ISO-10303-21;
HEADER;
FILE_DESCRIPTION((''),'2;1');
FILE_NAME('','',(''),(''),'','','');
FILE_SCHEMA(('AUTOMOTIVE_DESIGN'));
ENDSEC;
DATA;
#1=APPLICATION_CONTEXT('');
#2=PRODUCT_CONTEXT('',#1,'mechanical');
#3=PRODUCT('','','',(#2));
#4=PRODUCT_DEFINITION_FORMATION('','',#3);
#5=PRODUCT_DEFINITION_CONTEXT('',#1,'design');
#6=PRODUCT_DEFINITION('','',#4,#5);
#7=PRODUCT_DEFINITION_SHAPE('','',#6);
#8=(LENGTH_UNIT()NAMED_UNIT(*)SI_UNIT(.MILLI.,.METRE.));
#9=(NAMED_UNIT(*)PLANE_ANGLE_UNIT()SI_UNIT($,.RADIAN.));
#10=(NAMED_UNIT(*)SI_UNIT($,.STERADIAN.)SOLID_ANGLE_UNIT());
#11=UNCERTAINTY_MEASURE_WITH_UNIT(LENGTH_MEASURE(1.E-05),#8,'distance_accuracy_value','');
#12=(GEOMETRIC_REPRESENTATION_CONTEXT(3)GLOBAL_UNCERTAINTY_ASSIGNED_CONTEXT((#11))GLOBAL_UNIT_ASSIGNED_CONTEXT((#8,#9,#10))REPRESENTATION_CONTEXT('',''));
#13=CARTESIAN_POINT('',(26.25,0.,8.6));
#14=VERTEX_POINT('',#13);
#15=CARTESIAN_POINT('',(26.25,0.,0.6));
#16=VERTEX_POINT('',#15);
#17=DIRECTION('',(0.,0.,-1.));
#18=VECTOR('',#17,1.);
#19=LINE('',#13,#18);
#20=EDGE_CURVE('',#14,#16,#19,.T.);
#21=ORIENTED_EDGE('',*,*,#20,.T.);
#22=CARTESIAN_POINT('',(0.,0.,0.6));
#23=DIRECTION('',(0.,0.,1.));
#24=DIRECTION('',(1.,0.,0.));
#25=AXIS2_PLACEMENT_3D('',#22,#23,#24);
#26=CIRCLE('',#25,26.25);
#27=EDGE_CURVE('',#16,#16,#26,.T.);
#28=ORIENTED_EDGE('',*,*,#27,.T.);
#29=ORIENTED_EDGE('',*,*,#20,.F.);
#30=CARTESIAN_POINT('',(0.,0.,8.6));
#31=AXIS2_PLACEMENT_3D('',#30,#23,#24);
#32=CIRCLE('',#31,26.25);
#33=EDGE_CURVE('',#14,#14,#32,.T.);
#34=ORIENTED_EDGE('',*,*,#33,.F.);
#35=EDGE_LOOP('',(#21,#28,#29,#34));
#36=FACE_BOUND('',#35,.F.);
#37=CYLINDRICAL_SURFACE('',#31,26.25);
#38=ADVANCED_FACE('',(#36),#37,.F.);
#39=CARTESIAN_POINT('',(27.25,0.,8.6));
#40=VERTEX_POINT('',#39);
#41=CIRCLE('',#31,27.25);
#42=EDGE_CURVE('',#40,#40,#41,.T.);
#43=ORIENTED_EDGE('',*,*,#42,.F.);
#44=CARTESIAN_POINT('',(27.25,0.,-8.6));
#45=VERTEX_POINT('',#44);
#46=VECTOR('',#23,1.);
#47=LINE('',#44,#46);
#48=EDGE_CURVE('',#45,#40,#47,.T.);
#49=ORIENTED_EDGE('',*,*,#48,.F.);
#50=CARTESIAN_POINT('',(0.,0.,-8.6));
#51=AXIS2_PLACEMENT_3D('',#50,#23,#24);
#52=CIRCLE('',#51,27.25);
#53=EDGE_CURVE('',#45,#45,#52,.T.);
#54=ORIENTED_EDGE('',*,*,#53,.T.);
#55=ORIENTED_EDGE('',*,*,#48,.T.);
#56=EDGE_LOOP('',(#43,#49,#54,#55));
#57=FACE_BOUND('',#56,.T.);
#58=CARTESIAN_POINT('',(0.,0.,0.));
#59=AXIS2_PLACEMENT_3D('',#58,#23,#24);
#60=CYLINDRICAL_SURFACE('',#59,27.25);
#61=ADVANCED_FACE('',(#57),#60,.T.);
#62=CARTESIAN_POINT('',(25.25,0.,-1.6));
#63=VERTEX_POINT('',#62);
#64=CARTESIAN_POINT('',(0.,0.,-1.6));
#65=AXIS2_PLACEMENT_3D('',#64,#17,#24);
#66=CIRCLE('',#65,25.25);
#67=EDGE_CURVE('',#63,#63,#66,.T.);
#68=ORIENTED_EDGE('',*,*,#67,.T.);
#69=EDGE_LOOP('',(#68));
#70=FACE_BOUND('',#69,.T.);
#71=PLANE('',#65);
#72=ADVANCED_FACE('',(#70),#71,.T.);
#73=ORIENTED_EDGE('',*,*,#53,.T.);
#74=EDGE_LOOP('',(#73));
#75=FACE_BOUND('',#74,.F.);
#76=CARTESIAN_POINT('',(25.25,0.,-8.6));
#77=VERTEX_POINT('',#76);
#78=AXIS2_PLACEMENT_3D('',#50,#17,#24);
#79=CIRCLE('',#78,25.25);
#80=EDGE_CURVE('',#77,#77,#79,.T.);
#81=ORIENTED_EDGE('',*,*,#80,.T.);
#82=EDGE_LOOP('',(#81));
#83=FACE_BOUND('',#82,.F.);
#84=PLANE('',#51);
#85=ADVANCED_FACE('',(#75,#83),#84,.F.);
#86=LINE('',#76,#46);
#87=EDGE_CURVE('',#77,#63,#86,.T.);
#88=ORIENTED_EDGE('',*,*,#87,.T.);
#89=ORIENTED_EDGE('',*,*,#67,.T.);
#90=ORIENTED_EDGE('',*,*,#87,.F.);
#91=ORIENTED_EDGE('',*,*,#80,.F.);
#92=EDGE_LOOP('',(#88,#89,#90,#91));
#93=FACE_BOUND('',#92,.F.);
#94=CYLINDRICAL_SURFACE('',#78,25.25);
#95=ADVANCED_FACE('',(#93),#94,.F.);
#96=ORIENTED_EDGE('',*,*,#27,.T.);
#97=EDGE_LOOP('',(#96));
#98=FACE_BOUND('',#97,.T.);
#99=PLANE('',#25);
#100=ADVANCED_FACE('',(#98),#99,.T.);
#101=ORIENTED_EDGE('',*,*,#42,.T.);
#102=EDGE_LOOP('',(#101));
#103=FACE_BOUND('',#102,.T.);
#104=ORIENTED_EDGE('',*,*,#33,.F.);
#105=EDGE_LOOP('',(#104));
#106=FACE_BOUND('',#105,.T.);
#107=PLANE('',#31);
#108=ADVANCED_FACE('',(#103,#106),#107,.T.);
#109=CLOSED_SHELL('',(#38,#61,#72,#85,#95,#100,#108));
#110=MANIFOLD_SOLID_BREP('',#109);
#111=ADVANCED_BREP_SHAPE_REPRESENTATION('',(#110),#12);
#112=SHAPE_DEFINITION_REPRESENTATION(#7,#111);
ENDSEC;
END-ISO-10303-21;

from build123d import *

# Parameters (mm, degrees)
F0_R     = 27.25
F1_DEPTH = 8.6
F2_R     = 26.25
F3_DEPTH = 8
F4_R     = 25.25
F5_DEPTH = 7


with BuildPart() as f1:
    # F0 (on Top) → F1 (new body, symmetric)
    with BuildSketch(Plane.XY):
        Circle(F0_R)
    extrude(amount=F1_DEPTH, both=True)

    # F2 (on face) → F3 (cut)
    with BuildSketch(Plane.XY.offset(8.6)):
        Circle(F2_R)
    extrude(amount=-F3_DEPTH, mode=Mode.SUBTRACT)

    # F4 (on face) → F5 (cut)
    with BuildSketch(Plane(origin=(0, 0, -8.6), x_dir=(1, 0, 0), z_dir=(0, 0, -1))):
        Circle(F4_R)
    extrude(amount=-F5_DEPTH, mode=Mode.SUBTRACT)


solid = f1.part
